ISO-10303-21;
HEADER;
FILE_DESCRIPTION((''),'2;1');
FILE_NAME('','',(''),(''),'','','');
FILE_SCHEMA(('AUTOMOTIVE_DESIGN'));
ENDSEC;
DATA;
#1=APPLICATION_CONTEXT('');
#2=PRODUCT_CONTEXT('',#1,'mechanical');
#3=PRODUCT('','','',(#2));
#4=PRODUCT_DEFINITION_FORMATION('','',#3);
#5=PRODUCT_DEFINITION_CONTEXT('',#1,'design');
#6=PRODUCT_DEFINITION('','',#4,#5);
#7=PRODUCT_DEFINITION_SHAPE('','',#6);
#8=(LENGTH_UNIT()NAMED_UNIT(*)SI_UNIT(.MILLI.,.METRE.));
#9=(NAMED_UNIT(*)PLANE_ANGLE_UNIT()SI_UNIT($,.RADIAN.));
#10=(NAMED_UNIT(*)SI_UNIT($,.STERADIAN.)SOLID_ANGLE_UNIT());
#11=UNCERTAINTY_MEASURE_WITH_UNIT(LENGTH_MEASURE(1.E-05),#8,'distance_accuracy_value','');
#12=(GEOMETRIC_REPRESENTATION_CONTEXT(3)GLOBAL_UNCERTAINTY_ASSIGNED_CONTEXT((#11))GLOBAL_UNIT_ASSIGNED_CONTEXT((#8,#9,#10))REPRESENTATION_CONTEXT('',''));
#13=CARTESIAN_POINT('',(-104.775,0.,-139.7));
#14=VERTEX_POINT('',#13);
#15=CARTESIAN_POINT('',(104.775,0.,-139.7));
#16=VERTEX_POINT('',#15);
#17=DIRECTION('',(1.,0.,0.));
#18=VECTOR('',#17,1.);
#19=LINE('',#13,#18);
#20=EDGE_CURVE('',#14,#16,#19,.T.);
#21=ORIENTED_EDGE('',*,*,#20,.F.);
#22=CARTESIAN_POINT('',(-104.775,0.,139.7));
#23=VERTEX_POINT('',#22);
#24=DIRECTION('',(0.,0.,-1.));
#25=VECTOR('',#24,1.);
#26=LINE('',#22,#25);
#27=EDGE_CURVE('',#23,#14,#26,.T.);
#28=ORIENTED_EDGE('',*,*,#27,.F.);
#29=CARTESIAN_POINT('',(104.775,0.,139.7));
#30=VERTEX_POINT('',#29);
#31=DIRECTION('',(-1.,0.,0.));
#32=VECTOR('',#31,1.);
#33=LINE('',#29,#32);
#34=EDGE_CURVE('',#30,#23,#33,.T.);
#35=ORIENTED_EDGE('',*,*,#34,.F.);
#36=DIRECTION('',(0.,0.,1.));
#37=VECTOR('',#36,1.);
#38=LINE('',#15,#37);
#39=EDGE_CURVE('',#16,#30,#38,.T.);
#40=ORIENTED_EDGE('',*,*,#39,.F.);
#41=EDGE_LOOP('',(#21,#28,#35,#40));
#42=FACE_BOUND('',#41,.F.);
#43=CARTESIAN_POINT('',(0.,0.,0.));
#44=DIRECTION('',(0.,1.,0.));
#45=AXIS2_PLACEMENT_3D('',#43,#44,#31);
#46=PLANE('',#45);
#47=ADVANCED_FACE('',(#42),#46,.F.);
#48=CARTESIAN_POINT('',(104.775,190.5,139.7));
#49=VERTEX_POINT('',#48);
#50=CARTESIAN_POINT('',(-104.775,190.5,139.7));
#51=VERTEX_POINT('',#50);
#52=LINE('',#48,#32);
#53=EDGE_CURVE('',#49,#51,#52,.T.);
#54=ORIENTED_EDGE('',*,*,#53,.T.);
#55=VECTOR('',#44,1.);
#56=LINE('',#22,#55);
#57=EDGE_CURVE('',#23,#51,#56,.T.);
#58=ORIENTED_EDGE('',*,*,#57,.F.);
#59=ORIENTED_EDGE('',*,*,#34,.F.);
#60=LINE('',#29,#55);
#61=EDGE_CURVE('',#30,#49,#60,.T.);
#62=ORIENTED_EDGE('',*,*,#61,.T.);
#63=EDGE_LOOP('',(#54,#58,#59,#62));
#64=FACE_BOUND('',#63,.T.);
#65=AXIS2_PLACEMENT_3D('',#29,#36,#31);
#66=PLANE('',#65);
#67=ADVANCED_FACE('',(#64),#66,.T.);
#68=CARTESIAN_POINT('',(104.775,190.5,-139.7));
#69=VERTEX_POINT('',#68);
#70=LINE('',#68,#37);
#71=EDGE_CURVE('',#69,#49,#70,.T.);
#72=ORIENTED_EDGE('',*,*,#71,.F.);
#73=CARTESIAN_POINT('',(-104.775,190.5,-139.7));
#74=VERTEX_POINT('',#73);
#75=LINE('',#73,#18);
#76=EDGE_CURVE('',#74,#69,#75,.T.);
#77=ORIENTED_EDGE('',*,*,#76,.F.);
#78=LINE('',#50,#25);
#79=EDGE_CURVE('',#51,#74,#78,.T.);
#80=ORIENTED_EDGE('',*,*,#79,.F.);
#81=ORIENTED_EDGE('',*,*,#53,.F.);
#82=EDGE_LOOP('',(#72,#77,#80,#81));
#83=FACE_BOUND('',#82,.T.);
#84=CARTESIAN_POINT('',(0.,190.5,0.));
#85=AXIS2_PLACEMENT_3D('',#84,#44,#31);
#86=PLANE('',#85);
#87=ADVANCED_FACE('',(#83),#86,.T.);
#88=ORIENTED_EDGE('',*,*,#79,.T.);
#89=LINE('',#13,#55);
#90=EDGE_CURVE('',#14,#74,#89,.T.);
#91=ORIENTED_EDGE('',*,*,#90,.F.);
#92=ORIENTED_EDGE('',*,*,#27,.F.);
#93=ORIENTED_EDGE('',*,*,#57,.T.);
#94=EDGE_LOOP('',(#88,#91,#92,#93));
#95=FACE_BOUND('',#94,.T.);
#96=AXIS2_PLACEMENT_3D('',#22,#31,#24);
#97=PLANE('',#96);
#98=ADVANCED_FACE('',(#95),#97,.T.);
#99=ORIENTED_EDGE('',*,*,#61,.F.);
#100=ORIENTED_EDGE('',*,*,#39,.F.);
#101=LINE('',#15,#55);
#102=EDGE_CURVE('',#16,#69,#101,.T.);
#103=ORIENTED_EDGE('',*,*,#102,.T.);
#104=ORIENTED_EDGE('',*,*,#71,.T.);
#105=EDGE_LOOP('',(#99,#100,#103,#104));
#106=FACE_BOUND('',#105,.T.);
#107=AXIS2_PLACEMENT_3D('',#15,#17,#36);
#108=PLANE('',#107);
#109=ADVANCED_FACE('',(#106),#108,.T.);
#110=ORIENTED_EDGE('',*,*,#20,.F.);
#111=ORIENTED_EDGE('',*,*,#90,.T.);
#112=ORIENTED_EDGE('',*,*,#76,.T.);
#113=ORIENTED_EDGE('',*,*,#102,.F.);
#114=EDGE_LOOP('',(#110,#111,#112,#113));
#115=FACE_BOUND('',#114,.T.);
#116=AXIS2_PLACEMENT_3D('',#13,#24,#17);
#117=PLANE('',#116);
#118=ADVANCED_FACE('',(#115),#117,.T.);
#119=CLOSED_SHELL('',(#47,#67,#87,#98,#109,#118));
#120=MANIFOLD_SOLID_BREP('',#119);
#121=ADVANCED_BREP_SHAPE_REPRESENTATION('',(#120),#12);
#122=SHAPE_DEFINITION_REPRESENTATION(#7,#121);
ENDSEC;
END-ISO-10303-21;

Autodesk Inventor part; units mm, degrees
ref_plane "YZ Plane" through (0, 0, 0) normal (1, 0, 0) x (0, 1, 0)
ref_plane "XZ Plane" through (0, 0, 0) normal (0, 1, 0) x (-1, 0, 0)
ref_plane "XY Plane" through (0, 0, 0) normal (0, 0, 1) x (1, 0, 0)
sketch "Sketch1" plane through (0, 0, 0) normal (0, 1, 0) x (-1, 0, 0)
  line L0 (-104.775, 139.7) -> (104.775, 139.7)
  line L1 (104.775, 139.7) -> (104.775, -139.7)
  line L2 (104.775, -139.7) -> (-104.775, -139.7)
  line L3 (-104.775, -139.7) -> (-104.775, 139.7)
  line L4 (-104.775, 139.7) -> (104.775, -139.7) construction
  line L5 (104.775, 139.7) -> (-104.775, -139.7) construction
  point P0 (0, 0)
  dimension "d0" = 209.55
  dimension "d1" = 279.4
extrude "Extrusion1" add sketch "Sketch1" along normal blind 190.5
properties part number "Computer"
